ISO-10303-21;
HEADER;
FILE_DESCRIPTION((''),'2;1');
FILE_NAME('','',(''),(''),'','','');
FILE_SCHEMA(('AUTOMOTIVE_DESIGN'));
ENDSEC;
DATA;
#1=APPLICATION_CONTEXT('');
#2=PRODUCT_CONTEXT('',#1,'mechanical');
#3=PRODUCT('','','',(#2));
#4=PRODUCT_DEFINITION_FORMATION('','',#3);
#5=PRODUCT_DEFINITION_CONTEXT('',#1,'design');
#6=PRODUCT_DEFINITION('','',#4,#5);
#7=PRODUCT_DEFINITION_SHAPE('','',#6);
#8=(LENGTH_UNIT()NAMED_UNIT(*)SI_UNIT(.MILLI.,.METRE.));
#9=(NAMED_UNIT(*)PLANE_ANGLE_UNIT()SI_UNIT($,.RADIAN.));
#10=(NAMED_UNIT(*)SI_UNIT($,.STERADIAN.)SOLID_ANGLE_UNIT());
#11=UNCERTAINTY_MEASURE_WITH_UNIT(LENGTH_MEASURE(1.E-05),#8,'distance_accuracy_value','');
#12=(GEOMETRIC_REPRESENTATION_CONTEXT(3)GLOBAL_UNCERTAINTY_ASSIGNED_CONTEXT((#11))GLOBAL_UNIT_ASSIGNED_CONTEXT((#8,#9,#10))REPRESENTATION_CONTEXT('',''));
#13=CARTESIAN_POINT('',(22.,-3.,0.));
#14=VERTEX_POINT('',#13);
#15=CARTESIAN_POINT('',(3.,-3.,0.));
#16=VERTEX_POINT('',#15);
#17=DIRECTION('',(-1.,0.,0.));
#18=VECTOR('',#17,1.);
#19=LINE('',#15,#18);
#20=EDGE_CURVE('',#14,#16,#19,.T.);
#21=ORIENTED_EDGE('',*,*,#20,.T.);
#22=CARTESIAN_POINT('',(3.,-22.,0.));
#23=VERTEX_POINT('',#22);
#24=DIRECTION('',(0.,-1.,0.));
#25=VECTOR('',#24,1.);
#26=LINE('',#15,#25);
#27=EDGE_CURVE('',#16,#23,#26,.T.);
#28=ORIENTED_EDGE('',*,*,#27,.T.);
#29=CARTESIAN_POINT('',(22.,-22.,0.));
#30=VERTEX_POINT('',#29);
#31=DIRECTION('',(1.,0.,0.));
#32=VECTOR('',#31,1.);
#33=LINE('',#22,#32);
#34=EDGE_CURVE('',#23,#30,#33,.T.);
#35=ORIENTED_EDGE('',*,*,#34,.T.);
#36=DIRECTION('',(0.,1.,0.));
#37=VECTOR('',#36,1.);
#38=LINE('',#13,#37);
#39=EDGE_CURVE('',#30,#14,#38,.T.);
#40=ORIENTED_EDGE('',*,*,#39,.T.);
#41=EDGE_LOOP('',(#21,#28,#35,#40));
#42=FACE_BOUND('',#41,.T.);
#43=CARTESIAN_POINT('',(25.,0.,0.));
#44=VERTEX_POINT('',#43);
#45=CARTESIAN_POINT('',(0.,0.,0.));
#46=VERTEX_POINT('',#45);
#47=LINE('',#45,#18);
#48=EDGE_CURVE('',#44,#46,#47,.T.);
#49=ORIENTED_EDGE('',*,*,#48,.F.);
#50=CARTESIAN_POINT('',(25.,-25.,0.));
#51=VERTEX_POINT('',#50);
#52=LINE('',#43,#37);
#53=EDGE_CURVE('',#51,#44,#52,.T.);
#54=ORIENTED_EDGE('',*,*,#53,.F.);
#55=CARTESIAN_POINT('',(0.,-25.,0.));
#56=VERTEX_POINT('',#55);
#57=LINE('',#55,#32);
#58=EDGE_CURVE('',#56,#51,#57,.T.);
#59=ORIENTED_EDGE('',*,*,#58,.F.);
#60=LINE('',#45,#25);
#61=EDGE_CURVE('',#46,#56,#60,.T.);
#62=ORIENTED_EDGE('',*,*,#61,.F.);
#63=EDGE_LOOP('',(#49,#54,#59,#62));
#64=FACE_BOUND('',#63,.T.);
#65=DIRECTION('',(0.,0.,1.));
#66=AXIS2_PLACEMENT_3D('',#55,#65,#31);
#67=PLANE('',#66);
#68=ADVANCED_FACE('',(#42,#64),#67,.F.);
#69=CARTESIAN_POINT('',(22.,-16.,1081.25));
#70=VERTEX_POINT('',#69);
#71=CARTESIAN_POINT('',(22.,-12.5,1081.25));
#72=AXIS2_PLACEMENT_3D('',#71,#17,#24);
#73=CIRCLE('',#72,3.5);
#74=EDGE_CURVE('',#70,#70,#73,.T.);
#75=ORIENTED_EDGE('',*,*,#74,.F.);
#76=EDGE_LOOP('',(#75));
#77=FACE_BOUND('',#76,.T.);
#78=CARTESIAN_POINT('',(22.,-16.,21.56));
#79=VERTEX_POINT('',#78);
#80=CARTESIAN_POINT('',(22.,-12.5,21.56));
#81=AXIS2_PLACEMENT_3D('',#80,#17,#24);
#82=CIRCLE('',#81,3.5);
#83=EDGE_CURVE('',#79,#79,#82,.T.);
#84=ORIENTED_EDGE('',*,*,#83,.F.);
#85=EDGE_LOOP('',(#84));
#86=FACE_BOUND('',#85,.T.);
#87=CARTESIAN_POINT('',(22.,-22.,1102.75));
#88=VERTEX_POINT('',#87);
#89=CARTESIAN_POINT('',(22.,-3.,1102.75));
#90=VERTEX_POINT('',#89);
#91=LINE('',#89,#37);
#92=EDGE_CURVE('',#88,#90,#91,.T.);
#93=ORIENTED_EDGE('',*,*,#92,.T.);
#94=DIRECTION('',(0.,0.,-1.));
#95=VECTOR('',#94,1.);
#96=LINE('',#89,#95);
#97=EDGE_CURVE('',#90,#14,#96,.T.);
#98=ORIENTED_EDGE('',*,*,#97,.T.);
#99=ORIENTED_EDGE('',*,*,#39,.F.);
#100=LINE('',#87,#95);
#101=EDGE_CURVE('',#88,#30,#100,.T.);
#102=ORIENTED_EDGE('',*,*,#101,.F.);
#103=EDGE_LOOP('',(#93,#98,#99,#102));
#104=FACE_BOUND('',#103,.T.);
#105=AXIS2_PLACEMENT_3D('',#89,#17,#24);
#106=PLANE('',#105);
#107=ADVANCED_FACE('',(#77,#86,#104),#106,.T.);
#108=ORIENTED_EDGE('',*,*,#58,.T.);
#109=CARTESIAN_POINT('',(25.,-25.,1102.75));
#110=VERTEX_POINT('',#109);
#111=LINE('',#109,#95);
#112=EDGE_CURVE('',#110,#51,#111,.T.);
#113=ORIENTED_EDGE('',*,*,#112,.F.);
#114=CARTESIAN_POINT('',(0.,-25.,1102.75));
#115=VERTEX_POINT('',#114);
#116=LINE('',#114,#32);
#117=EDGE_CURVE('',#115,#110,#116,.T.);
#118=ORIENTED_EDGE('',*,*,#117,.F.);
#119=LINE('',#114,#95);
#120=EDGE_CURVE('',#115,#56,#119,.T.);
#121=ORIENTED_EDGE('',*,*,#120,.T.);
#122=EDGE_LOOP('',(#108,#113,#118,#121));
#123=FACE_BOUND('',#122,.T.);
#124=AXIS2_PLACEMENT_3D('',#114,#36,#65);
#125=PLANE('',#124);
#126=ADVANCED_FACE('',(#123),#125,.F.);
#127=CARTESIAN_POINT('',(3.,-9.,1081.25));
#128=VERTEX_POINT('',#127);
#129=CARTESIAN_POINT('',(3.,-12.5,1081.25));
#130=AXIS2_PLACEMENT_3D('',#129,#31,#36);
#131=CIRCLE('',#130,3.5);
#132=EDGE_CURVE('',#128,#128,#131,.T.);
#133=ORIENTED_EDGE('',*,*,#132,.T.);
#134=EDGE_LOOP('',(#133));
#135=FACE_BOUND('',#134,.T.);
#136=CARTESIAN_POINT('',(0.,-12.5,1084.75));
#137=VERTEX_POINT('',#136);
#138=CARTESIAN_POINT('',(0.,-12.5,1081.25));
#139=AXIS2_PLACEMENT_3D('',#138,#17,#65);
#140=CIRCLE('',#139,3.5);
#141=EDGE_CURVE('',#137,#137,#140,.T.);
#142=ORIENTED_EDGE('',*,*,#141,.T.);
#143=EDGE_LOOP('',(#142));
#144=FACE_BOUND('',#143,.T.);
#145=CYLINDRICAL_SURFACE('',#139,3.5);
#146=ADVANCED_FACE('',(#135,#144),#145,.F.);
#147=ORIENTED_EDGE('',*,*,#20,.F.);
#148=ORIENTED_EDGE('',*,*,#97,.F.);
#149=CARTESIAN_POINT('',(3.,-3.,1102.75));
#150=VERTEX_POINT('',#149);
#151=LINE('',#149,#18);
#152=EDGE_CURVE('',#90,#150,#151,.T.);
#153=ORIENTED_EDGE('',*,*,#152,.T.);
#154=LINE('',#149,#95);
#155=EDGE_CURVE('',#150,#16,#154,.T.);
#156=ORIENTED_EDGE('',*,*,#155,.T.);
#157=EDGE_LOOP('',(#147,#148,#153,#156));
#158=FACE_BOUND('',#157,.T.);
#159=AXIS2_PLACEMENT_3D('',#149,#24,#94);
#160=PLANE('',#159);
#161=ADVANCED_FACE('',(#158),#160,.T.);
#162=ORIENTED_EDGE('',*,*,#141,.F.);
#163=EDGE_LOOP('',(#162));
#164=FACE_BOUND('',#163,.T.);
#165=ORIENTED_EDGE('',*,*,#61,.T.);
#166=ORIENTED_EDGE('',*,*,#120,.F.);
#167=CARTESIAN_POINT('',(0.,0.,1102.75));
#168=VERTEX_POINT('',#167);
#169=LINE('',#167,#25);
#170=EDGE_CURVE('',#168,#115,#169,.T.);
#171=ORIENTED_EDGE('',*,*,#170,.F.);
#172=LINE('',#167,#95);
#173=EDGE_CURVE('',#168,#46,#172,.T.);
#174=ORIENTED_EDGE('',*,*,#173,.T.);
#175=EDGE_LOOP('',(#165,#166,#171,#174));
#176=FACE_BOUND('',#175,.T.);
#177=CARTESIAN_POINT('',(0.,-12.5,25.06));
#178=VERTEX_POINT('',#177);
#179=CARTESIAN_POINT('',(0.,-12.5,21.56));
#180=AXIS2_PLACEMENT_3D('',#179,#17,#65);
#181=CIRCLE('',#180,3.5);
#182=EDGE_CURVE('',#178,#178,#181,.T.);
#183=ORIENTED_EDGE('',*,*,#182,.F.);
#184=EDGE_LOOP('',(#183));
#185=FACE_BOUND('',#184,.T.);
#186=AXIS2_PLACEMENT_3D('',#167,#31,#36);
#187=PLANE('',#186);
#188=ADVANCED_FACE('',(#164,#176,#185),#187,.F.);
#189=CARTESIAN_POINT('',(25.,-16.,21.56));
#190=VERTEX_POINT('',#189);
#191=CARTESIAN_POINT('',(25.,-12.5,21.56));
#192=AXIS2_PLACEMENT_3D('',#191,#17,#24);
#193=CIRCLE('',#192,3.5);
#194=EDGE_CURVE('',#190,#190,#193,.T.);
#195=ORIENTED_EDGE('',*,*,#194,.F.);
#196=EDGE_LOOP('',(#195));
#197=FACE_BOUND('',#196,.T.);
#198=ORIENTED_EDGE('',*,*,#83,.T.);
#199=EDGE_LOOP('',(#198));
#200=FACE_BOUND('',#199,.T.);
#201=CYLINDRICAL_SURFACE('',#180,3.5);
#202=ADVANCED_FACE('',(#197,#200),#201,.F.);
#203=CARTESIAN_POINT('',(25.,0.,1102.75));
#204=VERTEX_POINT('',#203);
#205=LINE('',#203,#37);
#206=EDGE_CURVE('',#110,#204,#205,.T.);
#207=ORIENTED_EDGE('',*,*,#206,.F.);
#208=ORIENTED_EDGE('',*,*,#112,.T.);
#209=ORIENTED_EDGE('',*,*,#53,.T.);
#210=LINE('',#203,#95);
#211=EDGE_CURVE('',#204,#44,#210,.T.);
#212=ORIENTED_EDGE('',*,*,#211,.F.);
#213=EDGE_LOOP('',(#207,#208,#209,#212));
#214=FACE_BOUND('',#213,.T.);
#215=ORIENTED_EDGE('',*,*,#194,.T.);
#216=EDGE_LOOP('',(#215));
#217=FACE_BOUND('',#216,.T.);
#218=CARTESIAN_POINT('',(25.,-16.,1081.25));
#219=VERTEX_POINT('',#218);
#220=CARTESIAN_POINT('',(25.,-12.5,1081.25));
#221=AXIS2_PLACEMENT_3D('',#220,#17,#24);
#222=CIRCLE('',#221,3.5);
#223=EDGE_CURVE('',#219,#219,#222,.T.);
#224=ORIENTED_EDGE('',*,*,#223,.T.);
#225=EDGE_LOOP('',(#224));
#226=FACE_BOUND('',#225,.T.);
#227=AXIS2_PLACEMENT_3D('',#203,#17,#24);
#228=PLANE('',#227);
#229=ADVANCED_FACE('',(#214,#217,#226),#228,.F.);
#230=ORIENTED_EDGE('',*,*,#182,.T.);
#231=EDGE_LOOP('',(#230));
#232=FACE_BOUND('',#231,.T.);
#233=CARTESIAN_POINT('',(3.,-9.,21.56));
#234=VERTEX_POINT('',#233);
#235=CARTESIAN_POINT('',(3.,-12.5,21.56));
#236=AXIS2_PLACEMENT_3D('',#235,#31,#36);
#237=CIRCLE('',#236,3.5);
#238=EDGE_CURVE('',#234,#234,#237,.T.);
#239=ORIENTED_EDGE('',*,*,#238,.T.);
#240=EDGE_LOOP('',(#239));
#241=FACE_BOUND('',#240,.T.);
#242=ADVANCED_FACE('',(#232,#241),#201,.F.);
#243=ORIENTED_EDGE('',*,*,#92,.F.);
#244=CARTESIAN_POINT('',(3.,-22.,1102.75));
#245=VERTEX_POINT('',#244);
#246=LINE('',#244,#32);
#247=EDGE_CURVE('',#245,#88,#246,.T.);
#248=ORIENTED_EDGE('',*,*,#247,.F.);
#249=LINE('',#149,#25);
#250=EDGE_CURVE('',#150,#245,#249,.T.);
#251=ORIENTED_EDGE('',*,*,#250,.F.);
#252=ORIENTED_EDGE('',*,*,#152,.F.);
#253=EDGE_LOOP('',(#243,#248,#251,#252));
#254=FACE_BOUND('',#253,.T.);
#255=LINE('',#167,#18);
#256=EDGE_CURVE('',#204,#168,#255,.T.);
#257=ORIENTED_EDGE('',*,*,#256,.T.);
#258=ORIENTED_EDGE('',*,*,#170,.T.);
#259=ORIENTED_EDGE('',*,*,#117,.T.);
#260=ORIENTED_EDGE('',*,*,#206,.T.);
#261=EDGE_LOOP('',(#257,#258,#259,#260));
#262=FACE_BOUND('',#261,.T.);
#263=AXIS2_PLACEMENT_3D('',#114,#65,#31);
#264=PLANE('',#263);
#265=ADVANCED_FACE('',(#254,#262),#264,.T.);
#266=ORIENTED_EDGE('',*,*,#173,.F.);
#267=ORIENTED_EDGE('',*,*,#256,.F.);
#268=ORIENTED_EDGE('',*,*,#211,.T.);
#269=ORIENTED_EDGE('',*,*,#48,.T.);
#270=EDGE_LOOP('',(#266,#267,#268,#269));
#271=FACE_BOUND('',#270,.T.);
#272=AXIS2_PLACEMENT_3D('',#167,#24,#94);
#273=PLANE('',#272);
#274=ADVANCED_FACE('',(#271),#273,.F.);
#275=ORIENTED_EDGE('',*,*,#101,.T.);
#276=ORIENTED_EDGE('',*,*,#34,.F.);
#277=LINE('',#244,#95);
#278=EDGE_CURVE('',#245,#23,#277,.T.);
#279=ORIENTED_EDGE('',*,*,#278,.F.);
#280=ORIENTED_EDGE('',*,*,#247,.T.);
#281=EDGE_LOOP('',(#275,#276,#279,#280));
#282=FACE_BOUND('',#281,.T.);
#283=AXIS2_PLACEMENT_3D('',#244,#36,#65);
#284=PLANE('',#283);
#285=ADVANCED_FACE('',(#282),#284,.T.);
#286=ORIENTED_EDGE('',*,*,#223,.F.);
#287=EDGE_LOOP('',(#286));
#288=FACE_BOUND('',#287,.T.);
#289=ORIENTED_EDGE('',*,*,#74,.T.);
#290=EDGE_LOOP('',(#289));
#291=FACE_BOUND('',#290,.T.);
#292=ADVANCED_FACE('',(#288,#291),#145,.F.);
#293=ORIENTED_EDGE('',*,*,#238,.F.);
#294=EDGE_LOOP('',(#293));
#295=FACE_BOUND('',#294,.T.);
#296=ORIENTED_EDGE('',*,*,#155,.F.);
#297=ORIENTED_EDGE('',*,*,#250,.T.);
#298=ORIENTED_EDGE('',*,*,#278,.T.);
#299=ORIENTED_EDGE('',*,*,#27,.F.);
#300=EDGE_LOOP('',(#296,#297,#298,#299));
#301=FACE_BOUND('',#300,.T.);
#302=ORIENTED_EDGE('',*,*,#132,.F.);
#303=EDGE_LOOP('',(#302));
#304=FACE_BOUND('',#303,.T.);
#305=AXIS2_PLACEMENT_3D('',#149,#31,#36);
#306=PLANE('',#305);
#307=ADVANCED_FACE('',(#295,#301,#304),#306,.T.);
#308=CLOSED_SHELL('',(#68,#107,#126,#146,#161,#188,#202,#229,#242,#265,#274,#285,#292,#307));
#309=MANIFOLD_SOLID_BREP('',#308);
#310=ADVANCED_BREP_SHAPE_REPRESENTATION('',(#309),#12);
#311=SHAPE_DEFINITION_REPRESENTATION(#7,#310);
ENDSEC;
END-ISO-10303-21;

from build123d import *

# Parameters (mm, degrees)
SKETCH_1_W             = 25
SKETCH_1_H             = 25
SKETCH_1_W_2           = 19
SKETCH_1_H_2           = 19
EXTRUDE_1_DEPTH        = 1102.75
PATTERN_LINEAR_1_COUNT = 2
PATTERN_LINEAR_1_PITCH = 1059.69


with BuildPart() as part:
    # 草图1 → 拉伸1 (new body)
    with BuildSketch(Plane.XY):
        with Locations((12.5, -12.5)):
            Rectangle(SKETCH_1_W, SKETCH_1_H)
        with Locations((12.5, -12.5)):
            Rectangle(SKETCH_1_W_2, SKETCH_1_H_2, mode=Mode.SUBTRACT)
    extrude(amount=EXTRUDE_1_DEPTH)

    # 草图4 → Ø7.0 (7) 直径孔1 (revolve, cut)
    with BuildSketch(Plane(origin=(0, -12.5, 1081.25), x_dir=(0, 0, 1), z_dir=(0, 1, 0))):
        Polygon((0, 0), (0, 32.103012167), (3.5, 30), (3.5, 0), align=None)
    hole_wizard_7_0_7_1 = revolve(axis=Axis((-6.35, -12.5, 1081.25), (1, 0, 0)), mode=Mode.SUBTRACT)

    # 阵列(线性)1: Ø7.0 (7) 直径孔1 ×2
    with Locations(*[(0, 0, -i * PATTERN_LINEAR_1_PITCH) for i in range(1, PATTERN_LINEAR_1_COUNT)]):
        add(hole_wizard_7_0_7_1, mode=Mode.SUBTRACT)


solid = part.part
